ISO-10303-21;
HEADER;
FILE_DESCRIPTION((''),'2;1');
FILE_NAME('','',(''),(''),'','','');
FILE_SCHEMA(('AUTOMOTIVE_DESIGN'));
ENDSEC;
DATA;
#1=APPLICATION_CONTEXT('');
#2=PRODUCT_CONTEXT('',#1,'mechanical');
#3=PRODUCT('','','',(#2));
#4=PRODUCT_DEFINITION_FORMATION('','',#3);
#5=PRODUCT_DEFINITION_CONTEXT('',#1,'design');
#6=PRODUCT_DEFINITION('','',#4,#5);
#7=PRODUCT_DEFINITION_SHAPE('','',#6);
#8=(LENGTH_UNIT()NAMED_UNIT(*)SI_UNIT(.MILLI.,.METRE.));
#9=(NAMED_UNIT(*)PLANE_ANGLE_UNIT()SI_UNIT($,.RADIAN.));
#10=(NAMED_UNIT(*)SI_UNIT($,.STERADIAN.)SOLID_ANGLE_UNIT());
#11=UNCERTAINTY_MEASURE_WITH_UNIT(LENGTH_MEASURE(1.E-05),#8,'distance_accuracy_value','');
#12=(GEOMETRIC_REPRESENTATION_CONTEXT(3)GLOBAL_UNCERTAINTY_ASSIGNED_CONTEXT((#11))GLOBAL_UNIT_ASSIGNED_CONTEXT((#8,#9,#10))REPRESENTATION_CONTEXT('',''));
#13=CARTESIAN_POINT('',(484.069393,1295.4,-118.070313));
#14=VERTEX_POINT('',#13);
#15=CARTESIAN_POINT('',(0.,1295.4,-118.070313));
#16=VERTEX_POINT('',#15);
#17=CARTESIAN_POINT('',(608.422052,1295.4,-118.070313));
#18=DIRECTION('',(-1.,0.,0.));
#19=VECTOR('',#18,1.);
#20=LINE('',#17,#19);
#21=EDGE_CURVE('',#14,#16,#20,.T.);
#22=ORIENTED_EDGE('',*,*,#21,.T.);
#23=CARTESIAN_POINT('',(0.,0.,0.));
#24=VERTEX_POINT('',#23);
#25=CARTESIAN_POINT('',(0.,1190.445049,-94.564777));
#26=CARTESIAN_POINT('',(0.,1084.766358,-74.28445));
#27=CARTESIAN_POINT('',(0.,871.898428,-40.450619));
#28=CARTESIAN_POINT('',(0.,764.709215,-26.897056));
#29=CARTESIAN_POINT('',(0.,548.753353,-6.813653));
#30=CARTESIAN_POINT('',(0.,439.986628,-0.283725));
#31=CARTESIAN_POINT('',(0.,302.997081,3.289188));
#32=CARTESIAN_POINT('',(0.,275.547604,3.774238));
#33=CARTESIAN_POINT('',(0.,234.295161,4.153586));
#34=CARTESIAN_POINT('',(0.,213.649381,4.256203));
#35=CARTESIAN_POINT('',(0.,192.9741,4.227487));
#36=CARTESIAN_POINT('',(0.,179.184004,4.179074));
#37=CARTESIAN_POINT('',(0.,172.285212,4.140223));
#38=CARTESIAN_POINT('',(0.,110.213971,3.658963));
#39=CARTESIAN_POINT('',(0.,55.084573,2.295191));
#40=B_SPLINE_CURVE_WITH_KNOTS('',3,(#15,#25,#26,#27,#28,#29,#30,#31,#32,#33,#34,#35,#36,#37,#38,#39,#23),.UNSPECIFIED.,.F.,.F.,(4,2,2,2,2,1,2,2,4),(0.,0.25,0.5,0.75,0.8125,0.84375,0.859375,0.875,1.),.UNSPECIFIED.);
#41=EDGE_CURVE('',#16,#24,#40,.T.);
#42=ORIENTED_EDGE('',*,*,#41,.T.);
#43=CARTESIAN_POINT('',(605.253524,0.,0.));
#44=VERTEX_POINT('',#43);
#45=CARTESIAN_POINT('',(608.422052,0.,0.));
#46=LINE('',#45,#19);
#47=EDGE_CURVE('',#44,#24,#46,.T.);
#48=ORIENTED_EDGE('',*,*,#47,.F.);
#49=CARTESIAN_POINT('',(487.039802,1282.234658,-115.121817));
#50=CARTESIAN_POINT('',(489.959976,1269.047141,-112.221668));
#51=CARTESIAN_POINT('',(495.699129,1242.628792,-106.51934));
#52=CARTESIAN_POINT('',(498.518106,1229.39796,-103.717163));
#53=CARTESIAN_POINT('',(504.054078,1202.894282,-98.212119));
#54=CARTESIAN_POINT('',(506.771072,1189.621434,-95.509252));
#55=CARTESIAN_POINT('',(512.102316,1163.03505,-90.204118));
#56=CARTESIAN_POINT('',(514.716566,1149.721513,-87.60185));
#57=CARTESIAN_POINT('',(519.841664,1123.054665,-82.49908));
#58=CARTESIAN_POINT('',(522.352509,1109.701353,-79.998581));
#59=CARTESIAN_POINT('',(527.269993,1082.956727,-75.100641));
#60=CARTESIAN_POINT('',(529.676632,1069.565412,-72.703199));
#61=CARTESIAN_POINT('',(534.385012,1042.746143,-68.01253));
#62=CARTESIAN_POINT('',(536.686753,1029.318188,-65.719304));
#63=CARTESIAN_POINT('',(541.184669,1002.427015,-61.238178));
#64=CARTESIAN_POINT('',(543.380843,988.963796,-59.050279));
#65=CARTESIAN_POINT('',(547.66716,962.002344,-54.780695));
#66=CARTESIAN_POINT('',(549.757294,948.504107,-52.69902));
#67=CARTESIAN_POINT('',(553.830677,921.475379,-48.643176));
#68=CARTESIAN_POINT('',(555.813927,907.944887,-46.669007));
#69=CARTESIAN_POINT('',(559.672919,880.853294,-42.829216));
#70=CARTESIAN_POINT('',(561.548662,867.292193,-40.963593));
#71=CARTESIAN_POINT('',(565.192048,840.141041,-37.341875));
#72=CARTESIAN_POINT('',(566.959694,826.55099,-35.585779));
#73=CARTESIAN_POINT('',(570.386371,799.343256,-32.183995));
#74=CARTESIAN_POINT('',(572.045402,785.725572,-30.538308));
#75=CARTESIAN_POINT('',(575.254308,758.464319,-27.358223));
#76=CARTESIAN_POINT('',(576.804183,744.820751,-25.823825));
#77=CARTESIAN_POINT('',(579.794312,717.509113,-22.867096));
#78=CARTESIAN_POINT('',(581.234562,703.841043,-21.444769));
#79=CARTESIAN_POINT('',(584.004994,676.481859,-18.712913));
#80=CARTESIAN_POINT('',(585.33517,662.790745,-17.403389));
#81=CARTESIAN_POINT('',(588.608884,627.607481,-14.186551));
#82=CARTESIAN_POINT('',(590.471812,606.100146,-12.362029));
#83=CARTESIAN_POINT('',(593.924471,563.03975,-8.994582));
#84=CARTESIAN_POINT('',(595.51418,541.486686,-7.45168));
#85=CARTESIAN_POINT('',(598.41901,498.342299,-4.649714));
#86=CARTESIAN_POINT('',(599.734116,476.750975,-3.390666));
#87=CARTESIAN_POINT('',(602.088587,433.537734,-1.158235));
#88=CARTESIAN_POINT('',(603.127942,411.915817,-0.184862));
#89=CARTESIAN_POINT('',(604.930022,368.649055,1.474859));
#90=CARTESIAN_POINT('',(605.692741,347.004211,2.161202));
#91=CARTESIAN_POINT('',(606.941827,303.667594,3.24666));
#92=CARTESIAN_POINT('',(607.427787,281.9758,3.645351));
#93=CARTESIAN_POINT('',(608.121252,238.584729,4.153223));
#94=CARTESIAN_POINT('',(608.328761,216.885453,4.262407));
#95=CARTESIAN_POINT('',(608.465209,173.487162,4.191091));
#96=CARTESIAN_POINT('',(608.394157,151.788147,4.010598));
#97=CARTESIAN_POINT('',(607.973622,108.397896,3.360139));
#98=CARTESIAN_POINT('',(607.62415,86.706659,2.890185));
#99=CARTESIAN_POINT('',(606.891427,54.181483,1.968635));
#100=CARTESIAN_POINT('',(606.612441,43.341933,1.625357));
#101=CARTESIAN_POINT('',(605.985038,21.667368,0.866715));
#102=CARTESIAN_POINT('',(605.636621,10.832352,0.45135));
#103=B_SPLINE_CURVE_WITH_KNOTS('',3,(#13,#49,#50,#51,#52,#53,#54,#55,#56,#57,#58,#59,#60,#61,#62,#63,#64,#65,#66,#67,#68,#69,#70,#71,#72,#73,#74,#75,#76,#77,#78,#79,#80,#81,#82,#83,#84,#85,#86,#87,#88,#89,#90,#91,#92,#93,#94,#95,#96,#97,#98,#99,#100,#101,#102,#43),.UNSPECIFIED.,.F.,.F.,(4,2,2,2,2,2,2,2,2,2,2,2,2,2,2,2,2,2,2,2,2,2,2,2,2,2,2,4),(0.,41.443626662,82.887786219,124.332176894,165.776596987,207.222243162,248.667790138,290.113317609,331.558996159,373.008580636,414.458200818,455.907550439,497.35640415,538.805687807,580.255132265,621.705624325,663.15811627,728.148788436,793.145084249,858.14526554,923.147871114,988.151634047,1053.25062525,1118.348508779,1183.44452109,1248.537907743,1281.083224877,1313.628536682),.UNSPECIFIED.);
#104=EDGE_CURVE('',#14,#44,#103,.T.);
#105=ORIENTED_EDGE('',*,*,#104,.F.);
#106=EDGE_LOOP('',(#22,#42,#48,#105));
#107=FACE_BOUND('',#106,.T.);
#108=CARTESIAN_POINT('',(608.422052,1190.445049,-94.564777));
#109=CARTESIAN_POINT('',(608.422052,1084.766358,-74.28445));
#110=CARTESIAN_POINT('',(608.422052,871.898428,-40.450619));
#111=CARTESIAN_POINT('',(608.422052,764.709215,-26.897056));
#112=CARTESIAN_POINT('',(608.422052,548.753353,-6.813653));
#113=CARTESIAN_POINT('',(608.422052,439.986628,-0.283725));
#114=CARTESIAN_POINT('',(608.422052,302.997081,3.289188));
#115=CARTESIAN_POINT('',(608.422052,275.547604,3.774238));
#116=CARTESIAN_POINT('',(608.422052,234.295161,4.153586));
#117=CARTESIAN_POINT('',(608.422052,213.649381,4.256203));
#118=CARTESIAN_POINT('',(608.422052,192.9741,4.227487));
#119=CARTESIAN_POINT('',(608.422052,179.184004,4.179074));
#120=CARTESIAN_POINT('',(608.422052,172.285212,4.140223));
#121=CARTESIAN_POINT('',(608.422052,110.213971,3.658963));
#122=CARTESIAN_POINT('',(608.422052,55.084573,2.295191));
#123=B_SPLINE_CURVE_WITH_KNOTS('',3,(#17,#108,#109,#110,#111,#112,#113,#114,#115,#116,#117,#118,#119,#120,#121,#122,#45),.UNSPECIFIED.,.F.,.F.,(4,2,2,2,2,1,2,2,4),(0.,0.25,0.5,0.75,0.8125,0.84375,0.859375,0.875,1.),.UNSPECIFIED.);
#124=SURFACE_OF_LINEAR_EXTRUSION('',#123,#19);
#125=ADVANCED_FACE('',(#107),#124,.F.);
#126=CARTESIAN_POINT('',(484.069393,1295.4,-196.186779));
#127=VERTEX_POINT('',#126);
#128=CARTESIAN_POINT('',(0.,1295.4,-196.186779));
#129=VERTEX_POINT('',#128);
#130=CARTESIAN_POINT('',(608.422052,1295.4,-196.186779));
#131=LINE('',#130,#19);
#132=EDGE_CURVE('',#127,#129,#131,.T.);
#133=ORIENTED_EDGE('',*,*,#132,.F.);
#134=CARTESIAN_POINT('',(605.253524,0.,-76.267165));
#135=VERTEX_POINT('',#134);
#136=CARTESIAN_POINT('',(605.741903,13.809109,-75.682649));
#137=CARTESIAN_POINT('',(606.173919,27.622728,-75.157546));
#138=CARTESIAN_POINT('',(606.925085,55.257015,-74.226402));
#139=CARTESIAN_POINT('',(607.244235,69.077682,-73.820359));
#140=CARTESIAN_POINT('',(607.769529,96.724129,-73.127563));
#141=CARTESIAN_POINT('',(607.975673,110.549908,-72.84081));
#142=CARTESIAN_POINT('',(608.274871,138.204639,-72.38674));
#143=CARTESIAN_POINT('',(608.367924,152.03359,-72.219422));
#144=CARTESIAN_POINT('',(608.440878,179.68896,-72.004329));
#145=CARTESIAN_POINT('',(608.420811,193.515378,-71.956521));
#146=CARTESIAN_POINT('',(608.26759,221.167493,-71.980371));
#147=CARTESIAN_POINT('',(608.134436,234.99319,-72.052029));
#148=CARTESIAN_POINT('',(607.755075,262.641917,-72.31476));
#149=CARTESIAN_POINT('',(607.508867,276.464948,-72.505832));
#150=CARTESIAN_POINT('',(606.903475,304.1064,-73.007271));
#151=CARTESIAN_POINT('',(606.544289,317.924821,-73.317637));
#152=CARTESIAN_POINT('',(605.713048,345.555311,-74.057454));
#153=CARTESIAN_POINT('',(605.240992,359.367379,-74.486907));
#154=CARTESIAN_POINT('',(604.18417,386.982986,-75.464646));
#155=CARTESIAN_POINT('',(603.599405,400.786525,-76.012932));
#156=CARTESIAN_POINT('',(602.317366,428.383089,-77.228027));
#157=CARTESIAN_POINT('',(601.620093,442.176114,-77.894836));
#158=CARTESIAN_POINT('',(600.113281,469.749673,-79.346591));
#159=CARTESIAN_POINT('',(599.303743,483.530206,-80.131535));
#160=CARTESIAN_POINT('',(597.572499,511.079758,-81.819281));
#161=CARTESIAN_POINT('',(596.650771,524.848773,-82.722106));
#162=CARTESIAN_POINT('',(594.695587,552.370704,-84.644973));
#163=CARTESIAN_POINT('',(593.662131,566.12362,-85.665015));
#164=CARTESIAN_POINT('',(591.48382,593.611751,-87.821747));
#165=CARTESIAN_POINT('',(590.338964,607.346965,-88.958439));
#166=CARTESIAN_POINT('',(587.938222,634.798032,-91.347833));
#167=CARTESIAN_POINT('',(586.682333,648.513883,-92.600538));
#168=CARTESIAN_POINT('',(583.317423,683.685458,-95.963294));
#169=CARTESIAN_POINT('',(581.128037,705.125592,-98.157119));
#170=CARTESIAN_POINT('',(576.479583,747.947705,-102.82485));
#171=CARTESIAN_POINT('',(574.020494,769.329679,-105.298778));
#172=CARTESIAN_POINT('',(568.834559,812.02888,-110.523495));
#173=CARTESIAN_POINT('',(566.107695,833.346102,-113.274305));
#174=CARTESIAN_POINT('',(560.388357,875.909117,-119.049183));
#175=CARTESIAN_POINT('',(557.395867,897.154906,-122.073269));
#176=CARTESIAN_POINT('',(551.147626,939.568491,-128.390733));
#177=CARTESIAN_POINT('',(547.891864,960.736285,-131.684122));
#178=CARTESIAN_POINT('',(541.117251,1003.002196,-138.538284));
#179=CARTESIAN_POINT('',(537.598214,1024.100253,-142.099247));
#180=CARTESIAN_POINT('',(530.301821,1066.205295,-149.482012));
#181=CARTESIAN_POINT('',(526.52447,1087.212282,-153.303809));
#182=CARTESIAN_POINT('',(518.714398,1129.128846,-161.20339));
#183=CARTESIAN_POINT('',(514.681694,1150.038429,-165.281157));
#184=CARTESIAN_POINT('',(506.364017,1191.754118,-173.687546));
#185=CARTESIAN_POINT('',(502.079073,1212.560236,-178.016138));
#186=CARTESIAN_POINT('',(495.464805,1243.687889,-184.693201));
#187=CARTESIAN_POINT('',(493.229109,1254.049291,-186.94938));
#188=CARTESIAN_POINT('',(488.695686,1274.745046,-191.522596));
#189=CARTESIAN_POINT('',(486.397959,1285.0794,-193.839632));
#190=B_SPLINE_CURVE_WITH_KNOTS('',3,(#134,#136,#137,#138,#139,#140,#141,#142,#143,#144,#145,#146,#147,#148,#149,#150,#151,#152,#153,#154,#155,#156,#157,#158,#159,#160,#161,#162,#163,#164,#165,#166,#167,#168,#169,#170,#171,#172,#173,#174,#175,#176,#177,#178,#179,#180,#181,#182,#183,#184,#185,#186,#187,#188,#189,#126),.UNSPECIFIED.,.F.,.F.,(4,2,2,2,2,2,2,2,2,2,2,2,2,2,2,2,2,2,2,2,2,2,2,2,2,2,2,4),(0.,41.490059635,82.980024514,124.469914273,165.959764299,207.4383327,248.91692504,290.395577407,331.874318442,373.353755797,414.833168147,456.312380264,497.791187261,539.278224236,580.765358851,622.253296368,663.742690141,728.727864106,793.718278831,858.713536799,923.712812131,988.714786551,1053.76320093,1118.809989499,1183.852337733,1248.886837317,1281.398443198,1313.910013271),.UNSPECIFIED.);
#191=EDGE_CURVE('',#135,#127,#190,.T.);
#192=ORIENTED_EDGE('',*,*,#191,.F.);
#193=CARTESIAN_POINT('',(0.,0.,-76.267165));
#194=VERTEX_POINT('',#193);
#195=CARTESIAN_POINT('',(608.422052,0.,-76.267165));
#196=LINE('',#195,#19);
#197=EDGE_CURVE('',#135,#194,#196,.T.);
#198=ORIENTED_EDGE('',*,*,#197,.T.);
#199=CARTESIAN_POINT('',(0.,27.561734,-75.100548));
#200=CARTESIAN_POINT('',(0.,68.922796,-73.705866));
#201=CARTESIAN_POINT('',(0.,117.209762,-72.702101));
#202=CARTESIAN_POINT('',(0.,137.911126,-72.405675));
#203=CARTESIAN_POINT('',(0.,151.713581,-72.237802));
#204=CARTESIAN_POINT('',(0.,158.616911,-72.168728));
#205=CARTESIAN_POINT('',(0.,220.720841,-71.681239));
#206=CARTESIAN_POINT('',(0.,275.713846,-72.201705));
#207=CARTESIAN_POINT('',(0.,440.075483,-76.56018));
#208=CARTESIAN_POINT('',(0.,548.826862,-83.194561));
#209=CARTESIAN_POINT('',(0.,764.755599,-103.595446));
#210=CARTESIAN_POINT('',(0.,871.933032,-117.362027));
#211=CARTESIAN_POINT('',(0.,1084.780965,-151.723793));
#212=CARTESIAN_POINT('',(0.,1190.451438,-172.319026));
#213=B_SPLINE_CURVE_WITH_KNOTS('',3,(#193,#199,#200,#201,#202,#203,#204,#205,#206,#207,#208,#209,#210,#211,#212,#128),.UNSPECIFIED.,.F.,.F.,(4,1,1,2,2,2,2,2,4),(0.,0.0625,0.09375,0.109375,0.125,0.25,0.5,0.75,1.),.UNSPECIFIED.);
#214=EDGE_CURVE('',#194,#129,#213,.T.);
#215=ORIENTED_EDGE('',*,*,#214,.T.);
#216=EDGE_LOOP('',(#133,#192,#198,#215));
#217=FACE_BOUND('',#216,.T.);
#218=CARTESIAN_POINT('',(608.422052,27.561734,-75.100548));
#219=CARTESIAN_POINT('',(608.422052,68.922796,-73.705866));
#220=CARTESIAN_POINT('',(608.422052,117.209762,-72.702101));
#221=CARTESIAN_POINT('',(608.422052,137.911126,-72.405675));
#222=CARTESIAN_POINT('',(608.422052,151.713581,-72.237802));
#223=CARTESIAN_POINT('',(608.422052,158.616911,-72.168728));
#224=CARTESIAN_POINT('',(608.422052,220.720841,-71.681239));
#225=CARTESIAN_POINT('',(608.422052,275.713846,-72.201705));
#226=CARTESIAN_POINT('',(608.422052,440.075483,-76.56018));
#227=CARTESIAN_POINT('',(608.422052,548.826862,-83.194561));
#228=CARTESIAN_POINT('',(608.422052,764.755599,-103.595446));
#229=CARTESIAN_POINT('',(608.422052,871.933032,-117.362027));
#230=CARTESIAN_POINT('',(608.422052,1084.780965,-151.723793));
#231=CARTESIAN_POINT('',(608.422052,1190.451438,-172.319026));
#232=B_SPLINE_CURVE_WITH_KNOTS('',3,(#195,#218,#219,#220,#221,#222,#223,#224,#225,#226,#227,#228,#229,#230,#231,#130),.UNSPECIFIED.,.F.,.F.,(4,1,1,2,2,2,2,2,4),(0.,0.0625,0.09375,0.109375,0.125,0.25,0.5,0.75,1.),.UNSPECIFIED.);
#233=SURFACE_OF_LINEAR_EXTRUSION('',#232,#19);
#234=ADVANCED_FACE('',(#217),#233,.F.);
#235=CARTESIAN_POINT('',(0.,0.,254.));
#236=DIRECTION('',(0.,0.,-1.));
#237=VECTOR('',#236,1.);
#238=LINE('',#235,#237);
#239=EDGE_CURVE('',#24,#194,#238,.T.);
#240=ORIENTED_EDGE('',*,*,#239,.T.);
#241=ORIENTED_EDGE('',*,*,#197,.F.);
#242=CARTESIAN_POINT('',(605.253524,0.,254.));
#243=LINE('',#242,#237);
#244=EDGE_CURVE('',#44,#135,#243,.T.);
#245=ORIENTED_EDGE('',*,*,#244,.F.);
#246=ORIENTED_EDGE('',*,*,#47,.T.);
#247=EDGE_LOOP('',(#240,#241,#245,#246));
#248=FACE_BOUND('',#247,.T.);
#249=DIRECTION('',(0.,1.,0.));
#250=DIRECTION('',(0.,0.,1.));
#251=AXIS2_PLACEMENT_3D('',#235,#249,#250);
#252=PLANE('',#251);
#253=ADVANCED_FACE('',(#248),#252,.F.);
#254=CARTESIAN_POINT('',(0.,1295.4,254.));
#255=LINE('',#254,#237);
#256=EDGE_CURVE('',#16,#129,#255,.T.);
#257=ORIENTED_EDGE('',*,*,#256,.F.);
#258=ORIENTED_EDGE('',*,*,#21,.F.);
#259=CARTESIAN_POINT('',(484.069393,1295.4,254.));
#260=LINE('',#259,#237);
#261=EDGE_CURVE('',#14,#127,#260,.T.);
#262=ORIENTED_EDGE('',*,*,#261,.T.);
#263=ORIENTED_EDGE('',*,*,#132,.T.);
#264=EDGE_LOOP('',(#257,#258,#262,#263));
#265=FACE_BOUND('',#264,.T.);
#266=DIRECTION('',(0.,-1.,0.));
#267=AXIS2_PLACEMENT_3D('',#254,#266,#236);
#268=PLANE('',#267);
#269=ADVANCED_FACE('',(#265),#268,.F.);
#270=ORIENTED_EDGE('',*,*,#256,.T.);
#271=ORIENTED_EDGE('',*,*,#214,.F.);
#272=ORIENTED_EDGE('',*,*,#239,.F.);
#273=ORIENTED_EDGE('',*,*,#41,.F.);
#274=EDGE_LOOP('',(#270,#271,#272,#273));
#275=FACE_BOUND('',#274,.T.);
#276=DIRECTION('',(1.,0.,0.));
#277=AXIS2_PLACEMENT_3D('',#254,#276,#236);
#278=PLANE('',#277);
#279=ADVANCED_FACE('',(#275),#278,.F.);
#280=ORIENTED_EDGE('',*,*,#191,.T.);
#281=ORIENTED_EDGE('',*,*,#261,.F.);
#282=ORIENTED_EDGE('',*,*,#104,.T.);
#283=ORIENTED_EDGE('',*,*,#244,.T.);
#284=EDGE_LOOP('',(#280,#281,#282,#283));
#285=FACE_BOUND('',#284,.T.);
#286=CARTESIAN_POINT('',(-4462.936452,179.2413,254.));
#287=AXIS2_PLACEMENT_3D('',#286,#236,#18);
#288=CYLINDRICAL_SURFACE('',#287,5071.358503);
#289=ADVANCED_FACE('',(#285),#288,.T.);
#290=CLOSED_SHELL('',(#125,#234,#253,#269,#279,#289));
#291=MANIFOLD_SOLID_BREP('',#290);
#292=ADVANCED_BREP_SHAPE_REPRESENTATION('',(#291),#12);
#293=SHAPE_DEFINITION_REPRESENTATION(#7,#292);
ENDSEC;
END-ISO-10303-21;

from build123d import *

# Parameters (mm, degrees)
BOSS_EXTRUDE1_DEPTH = 254
CUT_EXTRUDE1_DEPTH  = 1454.531751563


with BuildPart() as part:
    # Sketch1 → Boss-Extrude1 (new, symmetric)
    with BuildSketch(Plane.XY):
        with BuildLine():
            Line((0, 1295.4), (484.069392709, 1295.4))
            ThreePointArc((484.069392709, 1295.4), (586.375592164, 651.602339878), (605.253523509, 0))
            Line((605.253523509, 0), (0, 0))
            Line((0, 0), (0, 1295.4))
        make_face()
    extrude(amount=BOSS_EXTRUDE1_DEPTH, both=True)

    # Sketch2 → Cut-Extrude1 (cut, through all)
    with BuildSketch(Plane(origin=(0, 0, 0), x_dir=(0, 0, -1), z_dir=(1, 0, 0))):
        with BuildLine():
            add(Edge.make_bspline(
                [(118.0703125, 1295.4), (94.564776553, 1190.445048792), (74.284450362, 1084.766358232), (40.450619139, 871.89842811), (26.897056008, 764.709215485), (6.813653054, 548.75335337), (0.283725014, 439.986628438), (-3.289188409, 302.997080997), (-3.774237591, 275.547604227), (-4.153585947, 234.295160505), (-4.256202618, 213.649381304), (-4.227486533, 192.974099722), (-4.179073739, 179.184003972), (-4.140223283, 172.285212239), (-3.658962523, 110.213970933), (-2.295190534, 55.084572822), (0, 0)],
                knots=[0, 0, 0, 0, 0.25, 0.25, 0.5, 0.5, 0.75, 0.75, 0.8125, 0.8125, 0.84375, 0.859375, 0.859375, 0.875, 0.875, 1, 1, 1, 1], degree=3))
            Line((0, 0), (-254, 0))
            Line((-254, 0), (-254, 1295.4))
            Line((-254, 1295.4), (118.0703125, 1295.4))
        make_face()
        with BuildLine():
            add(Edge.make_bspline(
                [(76.26716522, 0), (75.100547551, 27.561733801), (73.705865568, 68.922796012), (72.702101108, 117.209761833), (72.405675036, 137.911126203), (72.23780187, 151.713581328), (72.168728413, 158.616910526), (71.681239412, 220.720840935), (72.201705183, 275.713845846), (76.560179878, 440.075482931), (83.194561022, 548.826861796), (103.595446179, 764.75559875), (117.362026574, 871.933032259), (151.723793203, 1084.78096463), (172.319025897, 1190.451438308), (196.186778864, 1295.4)],
                knots=[0, 0, 0, 0, 0.0625, 0.09375, 0.109375, 0.109375, 0.125, 0.125, 0.25, 0.25, 0.5, 0.5, 0.75, 0.75, 1, 1, 1, 1], degree=3))
            Line((196.186778864, 1295.4), (254, 1295.4))
            Line((254, 1295.4), (254, 0))
            Line((254, 0), (76.26716522, 0))
        make_face()
    extrude(amount=CUT_EXTRUDE1_DEPTH, mode=Mode.SUBTRACT)


solid = part.part
